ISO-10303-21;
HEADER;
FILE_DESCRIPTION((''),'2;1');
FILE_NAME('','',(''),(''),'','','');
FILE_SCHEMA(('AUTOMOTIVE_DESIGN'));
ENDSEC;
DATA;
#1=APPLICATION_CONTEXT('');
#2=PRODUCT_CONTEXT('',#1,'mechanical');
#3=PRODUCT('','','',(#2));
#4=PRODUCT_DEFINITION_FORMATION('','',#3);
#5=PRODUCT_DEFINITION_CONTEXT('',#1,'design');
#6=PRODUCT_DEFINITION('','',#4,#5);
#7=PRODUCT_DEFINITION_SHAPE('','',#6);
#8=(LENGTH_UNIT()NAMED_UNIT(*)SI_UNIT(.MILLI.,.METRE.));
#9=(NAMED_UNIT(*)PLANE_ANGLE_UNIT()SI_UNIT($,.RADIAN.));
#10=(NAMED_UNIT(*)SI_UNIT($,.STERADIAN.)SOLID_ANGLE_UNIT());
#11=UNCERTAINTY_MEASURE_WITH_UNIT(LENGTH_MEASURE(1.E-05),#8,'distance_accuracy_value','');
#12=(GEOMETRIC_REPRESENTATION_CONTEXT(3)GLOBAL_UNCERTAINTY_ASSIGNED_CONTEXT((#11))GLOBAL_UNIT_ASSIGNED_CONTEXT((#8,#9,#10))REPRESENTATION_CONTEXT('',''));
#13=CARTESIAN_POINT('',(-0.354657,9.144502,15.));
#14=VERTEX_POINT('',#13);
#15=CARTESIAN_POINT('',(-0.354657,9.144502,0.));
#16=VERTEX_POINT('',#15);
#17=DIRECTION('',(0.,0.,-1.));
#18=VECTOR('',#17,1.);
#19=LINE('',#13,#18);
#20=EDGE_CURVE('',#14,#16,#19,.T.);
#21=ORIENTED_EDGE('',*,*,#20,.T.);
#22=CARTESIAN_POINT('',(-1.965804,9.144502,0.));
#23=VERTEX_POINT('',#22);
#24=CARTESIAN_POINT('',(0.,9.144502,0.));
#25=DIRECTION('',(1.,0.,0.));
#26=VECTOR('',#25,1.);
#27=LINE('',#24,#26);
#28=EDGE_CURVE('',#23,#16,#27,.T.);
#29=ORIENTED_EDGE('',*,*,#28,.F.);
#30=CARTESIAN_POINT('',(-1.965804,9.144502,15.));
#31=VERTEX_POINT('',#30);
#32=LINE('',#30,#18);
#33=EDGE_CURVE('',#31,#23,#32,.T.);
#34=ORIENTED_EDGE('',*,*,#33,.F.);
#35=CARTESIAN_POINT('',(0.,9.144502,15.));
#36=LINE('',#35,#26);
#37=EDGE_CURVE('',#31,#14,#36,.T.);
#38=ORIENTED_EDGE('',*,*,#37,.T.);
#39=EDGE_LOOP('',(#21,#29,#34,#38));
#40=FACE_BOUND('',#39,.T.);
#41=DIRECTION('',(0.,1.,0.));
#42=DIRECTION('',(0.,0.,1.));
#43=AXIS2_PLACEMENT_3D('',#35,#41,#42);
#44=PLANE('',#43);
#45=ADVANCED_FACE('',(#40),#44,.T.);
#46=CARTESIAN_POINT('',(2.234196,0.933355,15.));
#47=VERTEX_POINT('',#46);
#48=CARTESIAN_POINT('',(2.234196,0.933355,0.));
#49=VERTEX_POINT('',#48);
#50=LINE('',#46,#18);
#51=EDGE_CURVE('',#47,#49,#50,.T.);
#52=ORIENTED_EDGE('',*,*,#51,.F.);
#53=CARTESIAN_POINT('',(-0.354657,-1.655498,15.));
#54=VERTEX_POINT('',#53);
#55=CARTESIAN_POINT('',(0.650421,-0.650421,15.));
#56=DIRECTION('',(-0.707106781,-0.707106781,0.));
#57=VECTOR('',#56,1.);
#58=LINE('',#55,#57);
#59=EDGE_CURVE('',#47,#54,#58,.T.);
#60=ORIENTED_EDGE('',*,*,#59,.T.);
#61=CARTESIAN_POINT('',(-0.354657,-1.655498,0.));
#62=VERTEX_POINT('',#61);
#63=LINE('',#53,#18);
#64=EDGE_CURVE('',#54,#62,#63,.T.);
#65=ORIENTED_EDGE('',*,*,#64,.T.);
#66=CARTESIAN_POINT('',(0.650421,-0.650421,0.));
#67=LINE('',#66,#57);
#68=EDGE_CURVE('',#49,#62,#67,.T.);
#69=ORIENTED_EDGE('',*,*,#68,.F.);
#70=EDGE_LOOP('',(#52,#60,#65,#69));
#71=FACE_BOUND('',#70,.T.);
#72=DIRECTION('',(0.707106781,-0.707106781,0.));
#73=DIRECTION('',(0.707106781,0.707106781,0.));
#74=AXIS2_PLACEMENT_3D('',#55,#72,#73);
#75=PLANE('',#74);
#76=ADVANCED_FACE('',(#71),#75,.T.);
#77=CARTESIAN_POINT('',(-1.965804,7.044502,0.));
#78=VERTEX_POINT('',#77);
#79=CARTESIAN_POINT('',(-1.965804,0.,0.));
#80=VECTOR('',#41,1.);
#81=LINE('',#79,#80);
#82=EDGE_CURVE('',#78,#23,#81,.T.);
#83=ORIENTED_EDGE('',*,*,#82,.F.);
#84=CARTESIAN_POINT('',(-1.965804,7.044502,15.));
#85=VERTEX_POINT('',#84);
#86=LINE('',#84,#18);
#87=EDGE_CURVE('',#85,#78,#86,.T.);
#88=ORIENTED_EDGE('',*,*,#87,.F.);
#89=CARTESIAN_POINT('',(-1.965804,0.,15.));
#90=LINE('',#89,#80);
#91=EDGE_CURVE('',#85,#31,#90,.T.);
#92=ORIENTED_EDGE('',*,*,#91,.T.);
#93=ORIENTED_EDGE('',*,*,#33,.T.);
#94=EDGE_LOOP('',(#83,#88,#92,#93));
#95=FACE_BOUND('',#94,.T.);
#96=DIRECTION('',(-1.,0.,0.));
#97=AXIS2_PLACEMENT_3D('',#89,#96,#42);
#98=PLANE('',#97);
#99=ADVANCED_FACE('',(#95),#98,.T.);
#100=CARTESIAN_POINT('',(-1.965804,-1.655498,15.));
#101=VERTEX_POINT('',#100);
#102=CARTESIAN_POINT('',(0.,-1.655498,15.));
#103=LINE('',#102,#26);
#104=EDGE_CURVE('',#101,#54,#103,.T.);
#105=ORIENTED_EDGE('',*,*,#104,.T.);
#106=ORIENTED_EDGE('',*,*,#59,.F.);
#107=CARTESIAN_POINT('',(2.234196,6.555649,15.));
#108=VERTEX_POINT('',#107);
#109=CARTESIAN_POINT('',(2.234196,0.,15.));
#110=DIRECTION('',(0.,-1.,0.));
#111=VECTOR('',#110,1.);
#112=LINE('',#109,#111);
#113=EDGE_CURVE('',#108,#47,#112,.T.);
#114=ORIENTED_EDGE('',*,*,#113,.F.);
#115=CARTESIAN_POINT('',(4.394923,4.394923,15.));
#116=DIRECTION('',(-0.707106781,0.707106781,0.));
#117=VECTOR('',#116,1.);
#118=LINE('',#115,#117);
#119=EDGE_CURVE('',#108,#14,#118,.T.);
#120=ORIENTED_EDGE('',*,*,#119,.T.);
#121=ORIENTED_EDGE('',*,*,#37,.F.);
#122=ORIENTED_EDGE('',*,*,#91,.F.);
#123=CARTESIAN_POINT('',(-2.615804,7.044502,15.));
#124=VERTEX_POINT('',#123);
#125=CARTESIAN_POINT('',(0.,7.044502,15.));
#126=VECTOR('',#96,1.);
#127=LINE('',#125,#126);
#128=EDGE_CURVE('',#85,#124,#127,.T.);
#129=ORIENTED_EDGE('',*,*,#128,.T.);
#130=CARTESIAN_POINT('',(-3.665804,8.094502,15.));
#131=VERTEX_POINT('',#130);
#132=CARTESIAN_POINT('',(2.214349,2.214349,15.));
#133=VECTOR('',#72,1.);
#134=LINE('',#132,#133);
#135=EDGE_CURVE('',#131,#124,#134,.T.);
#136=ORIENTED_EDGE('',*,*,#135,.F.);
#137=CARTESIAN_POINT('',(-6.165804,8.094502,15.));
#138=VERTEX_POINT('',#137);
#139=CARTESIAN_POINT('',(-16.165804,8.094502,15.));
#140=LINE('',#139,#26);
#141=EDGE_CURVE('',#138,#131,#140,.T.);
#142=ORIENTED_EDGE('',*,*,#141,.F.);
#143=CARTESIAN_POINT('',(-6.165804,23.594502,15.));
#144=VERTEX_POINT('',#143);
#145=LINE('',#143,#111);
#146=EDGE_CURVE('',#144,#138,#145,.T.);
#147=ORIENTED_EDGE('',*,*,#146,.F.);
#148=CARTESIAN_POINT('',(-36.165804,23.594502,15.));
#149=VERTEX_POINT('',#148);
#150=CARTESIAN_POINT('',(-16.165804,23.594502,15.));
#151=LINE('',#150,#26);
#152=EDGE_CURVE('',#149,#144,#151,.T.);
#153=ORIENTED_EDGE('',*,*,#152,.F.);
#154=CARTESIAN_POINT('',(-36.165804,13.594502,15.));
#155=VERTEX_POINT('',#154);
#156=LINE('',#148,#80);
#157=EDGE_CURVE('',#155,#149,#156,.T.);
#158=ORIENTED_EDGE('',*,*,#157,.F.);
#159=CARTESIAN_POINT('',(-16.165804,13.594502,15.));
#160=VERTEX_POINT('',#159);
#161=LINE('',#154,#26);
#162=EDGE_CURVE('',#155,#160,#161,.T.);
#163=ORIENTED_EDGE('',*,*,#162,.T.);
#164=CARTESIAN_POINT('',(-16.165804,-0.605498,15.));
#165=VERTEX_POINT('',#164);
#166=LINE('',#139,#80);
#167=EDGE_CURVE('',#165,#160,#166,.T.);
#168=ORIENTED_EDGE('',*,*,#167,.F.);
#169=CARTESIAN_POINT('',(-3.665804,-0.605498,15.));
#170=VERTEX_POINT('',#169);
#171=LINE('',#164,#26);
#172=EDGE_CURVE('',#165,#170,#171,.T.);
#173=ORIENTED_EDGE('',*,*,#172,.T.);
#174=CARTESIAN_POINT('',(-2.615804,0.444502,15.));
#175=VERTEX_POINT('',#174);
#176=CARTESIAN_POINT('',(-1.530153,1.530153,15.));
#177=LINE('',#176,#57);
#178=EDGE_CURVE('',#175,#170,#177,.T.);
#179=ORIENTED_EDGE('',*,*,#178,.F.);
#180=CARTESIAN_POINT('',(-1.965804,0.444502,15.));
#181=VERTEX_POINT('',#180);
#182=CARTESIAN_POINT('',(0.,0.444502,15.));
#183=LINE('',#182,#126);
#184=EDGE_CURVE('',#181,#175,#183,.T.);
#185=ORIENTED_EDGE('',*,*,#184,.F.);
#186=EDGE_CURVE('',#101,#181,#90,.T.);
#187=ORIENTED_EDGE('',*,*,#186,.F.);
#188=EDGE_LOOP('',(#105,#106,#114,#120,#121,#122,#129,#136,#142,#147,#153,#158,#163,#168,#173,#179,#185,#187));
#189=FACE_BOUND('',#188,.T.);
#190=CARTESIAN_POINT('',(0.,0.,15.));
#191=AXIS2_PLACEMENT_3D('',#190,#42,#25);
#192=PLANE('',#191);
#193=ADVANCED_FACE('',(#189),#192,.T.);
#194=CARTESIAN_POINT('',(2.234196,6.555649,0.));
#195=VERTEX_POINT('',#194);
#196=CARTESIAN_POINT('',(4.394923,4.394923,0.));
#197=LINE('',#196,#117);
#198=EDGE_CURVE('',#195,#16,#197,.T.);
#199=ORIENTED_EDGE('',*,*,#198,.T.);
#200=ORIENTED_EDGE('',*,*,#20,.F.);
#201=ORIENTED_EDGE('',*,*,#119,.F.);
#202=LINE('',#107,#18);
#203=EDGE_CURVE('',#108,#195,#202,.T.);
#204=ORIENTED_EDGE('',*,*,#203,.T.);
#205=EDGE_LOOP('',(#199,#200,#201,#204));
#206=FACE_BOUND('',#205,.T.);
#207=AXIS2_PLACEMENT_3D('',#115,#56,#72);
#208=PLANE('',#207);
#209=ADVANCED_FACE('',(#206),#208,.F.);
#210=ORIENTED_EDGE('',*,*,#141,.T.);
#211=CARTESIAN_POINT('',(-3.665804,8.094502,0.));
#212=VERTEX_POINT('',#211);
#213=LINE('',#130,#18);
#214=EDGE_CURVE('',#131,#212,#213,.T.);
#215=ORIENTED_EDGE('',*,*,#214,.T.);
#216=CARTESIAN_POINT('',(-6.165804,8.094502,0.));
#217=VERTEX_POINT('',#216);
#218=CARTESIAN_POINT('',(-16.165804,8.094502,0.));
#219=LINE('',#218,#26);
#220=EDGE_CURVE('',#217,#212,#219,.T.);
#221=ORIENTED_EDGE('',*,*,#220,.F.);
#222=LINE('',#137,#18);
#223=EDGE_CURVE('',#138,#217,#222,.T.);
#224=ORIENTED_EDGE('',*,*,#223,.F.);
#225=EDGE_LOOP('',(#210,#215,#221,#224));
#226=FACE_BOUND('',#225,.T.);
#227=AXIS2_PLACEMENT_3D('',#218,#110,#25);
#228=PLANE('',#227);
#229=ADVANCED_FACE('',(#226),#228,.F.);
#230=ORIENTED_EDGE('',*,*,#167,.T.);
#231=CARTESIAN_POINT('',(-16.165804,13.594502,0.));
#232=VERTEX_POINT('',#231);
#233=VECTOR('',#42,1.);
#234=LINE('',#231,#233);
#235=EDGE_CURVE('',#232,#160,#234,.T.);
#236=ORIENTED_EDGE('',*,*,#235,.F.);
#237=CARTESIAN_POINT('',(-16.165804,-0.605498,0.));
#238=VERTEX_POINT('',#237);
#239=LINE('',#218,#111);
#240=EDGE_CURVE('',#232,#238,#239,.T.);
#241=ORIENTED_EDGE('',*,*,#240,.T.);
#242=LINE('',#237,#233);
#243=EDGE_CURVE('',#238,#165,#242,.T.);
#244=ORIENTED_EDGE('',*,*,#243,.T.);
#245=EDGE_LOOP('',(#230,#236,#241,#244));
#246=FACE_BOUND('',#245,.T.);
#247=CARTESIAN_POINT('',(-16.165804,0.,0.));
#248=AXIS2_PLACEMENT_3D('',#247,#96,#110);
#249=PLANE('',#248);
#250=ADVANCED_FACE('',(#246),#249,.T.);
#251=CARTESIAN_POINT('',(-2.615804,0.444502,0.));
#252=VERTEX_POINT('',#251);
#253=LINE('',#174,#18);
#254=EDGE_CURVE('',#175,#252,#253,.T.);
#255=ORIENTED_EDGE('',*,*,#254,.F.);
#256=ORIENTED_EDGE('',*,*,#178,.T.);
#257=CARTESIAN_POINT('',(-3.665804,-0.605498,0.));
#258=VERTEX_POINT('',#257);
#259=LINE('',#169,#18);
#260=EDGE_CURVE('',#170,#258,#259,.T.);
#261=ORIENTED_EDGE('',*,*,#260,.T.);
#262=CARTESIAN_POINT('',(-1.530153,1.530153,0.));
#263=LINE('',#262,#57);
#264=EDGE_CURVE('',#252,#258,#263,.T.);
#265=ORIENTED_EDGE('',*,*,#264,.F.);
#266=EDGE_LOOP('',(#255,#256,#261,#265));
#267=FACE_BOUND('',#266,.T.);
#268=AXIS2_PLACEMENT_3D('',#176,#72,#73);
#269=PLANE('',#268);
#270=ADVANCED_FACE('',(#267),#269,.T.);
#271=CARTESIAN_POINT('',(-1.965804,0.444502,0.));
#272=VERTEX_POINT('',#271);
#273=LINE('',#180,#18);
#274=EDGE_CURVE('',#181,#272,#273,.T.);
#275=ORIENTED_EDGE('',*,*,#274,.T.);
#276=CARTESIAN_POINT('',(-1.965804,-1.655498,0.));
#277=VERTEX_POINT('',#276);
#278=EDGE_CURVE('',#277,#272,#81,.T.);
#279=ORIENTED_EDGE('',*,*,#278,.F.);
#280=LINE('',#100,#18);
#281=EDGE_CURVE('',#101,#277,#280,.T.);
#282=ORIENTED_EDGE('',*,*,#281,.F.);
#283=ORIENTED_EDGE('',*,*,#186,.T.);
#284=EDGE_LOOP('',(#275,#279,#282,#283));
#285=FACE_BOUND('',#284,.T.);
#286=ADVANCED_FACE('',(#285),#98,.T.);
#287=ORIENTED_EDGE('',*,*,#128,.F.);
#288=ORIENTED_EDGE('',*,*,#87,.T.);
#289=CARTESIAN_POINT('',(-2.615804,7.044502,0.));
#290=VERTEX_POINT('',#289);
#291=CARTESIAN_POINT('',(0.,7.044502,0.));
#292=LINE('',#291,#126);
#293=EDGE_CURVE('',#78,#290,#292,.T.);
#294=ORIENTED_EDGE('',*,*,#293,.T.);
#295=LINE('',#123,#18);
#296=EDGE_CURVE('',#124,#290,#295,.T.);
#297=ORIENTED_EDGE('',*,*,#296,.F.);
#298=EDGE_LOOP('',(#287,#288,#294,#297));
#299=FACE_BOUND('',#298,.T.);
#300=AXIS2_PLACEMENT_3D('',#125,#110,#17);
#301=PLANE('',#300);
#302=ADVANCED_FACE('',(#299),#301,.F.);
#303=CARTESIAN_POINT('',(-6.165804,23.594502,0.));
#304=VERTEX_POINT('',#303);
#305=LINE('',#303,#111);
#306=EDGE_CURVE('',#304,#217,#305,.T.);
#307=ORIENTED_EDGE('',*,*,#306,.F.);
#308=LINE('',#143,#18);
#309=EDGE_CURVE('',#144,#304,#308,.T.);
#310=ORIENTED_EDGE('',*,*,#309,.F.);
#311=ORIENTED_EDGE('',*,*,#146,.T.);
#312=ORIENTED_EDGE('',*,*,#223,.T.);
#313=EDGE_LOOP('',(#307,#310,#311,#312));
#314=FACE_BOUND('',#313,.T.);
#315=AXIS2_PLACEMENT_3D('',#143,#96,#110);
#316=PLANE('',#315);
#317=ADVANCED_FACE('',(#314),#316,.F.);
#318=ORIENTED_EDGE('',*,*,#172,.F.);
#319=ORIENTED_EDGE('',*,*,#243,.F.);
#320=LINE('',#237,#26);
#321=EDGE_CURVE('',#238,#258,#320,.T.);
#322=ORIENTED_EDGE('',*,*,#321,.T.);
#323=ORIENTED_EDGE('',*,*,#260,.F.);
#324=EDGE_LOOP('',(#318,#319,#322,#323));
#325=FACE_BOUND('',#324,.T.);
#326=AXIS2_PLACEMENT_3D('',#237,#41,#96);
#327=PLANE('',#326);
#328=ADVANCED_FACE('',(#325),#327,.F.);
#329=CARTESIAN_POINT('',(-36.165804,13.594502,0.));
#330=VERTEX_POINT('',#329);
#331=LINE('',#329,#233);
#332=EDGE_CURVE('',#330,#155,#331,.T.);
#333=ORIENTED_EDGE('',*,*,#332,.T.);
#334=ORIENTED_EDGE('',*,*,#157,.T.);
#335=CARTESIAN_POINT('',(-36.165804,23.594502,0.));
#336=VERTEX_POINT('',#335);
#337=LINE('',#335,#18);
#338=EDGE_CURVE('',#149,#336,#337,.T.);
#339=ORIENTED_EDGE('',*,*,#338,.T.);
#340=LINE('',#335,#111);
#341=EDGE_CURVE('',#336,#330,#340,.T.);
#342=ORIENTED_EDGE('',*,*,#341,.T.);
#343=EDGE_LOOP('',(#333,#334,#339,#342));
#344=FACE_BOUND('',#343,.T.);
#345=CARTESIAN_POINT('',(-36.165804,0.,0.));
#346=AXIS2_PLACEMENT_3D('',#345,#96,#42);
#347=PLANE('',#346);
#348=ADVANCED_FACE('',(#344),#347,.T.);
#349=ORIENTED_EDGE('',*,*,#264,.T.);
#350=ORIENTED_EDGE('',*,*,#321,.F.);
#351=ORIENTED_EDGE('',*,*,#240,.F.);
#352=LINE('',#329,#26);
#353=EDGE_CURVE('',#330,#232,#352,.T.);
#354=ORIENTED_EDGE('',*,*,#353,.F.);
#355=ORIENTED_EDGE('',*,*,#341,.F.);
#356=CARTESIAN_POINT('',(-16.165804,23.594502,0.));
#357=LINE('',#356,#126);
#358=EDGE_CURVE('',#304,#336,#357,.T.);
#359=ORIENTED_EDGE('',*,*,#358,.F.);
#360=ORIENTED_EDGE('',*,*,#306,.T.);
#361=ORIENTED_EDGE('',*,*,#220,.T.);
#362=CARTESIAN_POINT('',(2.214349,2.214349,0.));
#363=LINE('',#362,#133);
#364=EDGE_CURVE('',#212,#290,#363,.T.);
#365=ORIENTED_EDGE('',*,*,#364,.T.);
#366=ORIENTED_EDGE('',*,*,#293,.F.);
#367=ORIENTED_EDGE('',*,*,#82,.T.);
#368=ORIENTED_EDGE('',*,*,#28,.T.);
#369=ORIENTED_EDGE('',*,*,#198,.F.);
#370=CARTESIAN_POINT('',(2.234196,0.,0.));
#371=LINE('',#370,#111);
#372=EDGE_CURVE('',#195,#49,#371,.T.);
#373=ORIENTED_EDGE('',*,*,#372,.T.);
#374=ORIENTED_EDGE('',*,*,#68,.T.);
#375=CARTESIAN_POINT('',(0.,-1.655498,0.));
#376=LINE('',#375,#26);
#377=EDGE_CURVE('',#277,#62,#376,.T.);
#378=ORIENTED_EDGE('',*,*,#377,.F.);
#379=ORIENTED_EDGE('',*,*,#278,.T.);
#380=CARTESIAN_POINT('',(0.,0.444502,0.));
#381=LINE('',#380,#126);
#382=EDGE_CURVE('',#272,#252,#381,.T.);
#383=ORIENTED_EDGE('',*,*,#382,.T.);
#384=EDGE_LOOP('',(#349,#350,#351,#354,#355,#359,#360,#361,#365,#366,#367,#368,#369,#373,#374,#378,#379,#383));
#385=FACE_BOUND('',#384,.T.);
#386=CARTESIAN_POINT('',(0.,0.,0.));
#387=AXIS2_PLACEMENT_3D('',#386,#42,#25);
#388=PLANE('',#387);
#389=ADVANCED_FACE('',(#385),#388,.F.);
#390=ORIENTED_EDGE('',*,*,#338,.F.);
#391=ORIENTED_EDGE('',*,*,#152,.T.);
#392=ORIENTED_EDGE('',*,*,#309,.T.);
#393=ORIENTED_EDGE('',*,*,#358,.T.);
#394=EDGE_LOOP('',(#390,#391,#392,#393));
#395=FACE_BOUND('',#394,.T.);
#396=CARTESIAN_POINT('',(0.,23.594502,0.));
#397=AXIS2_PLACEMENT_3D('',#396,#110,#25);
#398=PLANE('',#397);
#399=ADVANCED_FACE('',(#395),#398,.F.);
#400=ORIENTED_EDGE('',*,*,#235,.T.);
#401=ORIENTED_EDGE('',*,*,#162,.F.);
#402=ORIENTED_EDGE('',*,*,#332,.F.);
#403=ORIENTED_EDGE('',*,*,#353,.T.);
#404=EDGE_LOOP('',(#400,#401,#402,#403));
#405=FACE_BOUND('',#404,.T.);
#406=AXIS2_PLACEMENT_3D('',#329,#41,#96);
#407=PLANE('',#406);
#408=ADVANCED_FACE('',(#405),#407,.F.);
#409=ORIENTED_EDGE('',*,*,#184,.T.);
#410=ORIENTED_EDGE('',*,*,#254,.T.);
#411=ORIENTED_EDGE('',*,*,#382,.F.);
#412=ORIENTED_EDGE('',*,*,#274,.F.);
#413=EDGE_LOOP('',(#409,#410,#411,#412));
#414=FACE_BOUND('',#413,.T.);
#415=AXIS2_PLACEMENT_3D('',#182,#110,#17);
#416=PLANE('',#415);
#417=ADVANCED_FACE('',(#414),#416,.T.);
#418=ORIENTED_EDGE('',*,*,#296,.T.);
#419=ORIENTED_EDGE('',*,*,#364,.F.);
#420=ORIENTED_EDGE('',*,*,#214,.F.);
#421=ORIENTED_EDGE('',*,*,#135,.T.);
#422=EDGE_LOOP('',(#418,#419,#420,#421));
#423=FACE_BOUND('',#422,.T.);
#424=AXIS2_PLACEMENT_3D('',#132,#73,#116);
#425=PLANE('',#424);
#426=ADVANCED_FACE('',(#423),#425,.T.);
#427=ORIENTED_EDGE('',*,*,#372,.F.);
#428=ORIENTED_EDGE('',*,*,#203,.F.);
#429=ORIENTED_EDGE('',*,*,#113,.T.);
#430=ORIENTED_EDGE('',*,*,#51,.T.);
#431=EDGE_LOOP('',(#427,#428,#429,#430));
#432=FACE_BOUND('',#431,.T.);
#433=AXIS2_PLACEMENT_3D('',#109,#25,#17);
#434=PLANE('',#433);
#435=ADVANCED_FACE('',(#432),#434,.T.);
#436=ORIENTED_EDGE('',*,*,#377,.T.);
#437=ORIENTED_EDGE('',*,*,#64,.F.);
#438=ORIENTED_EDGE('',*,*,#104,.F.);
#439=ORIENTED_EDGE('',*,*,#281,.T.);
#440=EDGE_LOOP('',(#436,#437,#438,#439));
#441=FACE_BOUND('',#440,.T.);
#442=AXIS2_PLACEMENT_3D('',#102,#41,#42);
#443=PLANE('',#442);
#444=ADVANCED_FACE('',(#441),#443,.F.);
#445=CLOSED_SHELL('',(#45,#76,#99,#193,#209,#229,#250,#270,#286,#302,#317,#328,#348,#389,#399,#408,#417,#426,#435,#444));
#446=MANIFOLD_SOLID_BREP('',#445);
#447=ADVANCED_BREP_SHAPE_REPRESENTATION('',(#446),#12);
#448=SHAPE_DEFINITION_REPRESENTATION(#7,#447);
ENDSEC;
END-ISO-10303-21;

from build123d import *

# Parameters (mm, degrees)
BOSS_EXTRUDE1_DEPTH = 15
SKETCH2_W           = 15
SKETCH2_H           = 8.7
BOSS_EXTRUDE2_DEPTH = 12.5
SKETCH3_W           = 10
SKETCH3_H           = 15
BOSS_EXTRUDE3_DEPTH = 15.5
SKETCH5_W           = 15
SKETCH5_H           = 10
BOSS_EXTRUDE4_DEPTH = 20


with BuildPart() as part:
    # Sketch1 → Boss-Extrude1 (new body)
    with BuildSketch(Plane.XY):
        Polygon((-3.665803919, -0.605497889), (-3.665803919, 8.094502111), (-2.615803919, 7.044502111), (-1.965803919, 7.044502111), (-1.965803919, 9.144502111), (-0.354656646, 9.144502111), (2.234196081, 6.555649384), (2.234196081, 0.933354838), (-0.354656646, -1.655497889), (-1.965803919, -1.655497889), (-1.965803919, 0.444502111), (-2.615803919, 0.444502111), align=None)
    extrude(amount=BOSS_EXTRUDE1_DEPTH)

    # Sketch2 → Boss-Extrude2 (add)
    with BuildSketch(Plane.ZY.offset(3.665803919)):
        with Locations((7.5, 3.744502111)):
            Rectangle(SKETCH2_W, SKETCH2_H)
    extrude(amount=BOSS_EXTRUDE2_DEPTH)

    # Sketch3 → Boss-Extrude3 (add)
    with BuildSketch(Plane(origin=(0, 8.094502111, 0), x_dir=(1, 0, 0), z_dir=(0, 1, 0))):
        with Locations((-11.165803919, -7.5)):
            Rectangle(SKETCH3_W, SKETCH3_H)
    extrude(amount=BOSS_EXTRUDE3_DEPTH)

    # Sketch5 → Boss-Extrude4 (add)
    with BuildSketch(Plane.ZY.offset(16.165803919)):
        with Locations((7.5, 18.594502111)):
            Rectangle(SKETCH5_W, SKETCH5_H)
    extrude(amount=BOSS_EXTRUDE4_DEPTH)


solid = part.part
